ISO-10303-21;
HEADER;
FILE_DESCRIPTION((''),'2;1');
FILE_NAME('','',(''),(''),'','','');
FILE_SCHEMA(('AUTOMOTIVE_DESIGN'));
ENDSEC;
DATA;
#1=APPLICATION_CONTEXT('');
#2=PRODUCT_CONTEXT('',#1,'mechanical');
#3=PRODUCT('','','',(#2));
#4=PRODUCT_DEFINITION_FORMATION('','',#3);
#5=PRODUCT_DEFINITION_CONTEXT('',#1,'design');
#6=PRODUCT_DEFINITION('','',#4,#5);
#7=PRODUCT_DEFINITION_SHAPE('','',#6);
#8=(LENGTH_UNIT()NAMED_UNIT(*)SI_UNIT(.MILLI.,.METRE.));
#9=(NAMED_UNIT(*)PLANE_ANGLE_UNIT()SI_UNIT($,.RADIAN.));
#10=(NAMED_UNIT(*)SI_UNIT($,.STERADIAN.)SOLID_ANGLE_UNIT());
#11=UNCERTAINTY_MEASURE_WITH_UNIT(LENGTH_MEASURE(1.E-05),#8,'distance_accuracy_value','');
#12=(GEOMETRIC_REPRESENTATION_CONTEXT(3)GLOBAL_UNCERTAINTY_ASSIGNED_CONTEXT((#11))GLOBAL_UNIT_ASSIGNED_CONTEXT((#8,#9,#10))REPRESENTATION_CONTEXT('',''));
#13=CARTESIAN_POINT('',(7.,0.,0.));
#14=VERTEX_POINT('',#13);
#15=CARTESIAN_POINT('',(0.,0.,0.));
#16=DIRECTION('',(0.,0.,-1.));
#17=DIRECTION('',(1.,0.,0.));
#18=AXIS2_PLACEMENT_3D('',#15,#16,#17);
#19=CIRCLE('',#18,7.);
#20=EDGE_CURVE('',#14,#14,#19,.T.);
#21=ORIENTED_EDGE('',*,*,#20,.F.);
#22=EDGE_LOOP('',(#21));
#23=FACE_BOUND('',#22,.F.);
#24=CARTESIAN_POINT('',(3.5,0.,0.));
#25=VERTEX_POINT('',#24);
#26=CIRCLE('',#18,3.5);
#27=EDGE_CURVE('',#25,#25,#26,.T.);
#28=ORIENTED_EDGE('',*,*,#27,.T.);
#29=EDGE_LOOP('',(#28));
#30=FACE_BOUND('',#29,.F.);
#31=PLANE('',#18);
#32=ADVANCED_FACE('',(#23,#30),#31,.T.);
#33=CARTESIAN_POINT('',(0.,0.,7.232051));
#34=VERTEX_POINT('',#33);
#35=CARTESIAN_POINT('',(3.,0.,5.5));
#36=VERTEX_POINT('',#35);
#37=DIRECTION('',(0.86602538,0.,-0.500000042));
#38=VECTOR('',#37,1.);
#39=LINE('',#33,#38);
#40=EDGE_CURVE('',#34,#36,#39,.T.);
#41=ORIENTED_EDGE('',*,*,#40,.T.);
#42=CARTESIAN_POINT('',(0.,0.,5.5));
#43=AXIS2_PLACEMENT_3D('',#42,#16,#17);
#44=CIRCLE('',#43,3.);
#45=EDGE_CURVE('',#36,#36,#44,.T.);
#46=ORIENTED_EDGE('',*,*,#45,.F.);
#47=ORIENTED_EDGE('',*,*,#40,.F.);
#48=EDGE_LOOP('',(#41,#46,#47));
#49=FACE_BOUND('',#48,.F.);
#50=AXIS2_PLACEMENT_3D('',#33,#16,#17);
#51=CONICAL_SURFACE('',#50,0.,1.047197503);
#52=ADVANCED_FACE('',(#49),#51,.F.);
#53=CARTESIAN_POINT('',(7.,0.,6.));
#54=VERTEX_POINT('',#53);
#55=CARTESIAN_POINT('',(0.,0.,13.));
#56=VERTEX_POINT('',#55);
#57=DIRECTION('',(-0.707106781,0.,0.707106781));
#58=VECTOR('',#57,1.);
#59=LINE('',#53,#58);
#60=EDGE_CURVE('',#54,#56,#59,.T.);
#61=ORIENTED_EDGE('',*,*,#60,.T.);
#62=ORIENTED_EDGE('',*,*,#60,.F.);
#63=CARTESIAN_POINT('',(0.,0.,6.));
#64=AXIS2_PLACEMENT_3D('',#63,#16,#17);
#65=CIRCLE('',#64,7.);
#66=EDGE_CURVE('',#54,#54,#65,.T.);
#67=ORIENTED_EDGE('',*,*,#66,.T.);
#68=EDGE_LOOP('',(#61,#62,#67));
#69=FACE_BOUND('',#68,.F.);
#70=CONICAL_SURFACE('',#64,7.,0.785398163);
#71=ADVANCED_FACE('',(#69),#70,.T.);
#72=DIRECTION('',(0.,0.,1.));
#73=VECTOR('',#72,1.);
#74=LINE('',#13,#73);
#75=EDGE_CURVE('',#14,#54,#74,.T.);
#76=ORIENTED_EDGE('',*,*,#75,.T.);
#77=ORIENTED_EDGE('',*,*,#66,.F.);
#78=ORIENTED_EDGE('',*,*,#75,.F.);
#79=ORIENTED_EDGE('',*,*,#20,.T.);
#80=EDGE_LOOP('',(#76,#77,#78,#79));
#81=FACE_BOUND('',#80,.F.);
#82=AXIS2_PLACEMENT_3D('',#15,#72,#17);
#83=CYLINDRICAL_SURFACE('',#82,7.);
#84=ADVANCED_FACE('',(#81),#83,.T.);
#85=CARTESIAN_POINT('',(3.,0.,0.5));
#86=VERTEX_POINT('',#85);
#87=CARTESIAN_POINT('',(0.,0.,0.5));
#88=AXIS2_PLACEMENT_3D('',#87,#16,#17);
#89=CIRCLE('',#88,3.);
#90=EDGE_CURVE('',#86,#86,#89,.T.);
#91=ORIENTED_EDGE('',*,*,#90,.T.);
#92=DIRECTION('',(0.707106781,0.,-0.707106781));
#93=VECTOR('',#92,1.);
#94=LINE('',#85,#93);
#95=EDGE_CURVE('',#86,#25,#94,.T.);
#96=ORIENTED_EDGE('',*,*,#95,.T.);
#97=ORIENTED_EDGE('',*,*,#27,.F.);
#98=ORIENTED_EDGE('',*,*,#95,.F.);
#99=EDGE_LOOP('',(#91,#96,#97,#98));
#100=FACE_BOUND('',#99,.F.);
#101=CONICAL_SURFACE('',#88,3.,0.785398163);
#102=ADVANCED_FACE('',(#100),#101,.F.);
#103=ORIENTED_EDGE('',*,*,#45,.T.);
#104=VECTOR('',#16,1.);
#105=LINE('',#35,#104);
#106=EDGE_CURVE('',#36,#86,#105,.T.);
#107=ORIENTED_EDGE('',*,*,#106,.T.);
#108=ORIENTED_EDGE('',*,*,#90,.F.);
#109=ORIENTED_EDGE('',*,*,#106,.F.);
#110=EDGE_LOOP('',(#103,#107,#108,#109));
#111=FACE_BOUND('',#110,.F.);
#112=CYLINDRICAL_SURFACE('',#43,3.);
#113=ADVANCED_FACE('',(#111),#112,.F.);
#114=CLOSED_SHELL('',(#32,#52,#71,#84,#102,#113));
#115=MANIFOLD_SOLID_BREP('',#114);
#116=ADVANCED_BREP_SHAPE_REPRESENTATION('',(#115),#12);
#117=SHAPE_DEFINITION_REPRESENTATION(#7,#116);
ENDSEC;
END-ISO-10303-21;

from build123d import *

# Parameters (mm, degrees)
F2_SIZE = 0.5


with BuildPart() as f1:
    # F0 (on Front) → F1 (revolve)
    with BuildSketch(Plane.XZ):
        Polygon((7, 6), (0, 13), (0, 7.232051), (3, 5.5), (3, 0), (7, 0), align=None)
    revolve(axis=Axis((0, 0, 7.232051), (0, 0, -1)))

    # F2
    f2_edges = [f1.edges().sort_by_distance(p)[0] for p in [
        (-3, 0, 0),
    ]]
    chamfer(f2_edges, length=F2_SIZE)


solid = f1.part
